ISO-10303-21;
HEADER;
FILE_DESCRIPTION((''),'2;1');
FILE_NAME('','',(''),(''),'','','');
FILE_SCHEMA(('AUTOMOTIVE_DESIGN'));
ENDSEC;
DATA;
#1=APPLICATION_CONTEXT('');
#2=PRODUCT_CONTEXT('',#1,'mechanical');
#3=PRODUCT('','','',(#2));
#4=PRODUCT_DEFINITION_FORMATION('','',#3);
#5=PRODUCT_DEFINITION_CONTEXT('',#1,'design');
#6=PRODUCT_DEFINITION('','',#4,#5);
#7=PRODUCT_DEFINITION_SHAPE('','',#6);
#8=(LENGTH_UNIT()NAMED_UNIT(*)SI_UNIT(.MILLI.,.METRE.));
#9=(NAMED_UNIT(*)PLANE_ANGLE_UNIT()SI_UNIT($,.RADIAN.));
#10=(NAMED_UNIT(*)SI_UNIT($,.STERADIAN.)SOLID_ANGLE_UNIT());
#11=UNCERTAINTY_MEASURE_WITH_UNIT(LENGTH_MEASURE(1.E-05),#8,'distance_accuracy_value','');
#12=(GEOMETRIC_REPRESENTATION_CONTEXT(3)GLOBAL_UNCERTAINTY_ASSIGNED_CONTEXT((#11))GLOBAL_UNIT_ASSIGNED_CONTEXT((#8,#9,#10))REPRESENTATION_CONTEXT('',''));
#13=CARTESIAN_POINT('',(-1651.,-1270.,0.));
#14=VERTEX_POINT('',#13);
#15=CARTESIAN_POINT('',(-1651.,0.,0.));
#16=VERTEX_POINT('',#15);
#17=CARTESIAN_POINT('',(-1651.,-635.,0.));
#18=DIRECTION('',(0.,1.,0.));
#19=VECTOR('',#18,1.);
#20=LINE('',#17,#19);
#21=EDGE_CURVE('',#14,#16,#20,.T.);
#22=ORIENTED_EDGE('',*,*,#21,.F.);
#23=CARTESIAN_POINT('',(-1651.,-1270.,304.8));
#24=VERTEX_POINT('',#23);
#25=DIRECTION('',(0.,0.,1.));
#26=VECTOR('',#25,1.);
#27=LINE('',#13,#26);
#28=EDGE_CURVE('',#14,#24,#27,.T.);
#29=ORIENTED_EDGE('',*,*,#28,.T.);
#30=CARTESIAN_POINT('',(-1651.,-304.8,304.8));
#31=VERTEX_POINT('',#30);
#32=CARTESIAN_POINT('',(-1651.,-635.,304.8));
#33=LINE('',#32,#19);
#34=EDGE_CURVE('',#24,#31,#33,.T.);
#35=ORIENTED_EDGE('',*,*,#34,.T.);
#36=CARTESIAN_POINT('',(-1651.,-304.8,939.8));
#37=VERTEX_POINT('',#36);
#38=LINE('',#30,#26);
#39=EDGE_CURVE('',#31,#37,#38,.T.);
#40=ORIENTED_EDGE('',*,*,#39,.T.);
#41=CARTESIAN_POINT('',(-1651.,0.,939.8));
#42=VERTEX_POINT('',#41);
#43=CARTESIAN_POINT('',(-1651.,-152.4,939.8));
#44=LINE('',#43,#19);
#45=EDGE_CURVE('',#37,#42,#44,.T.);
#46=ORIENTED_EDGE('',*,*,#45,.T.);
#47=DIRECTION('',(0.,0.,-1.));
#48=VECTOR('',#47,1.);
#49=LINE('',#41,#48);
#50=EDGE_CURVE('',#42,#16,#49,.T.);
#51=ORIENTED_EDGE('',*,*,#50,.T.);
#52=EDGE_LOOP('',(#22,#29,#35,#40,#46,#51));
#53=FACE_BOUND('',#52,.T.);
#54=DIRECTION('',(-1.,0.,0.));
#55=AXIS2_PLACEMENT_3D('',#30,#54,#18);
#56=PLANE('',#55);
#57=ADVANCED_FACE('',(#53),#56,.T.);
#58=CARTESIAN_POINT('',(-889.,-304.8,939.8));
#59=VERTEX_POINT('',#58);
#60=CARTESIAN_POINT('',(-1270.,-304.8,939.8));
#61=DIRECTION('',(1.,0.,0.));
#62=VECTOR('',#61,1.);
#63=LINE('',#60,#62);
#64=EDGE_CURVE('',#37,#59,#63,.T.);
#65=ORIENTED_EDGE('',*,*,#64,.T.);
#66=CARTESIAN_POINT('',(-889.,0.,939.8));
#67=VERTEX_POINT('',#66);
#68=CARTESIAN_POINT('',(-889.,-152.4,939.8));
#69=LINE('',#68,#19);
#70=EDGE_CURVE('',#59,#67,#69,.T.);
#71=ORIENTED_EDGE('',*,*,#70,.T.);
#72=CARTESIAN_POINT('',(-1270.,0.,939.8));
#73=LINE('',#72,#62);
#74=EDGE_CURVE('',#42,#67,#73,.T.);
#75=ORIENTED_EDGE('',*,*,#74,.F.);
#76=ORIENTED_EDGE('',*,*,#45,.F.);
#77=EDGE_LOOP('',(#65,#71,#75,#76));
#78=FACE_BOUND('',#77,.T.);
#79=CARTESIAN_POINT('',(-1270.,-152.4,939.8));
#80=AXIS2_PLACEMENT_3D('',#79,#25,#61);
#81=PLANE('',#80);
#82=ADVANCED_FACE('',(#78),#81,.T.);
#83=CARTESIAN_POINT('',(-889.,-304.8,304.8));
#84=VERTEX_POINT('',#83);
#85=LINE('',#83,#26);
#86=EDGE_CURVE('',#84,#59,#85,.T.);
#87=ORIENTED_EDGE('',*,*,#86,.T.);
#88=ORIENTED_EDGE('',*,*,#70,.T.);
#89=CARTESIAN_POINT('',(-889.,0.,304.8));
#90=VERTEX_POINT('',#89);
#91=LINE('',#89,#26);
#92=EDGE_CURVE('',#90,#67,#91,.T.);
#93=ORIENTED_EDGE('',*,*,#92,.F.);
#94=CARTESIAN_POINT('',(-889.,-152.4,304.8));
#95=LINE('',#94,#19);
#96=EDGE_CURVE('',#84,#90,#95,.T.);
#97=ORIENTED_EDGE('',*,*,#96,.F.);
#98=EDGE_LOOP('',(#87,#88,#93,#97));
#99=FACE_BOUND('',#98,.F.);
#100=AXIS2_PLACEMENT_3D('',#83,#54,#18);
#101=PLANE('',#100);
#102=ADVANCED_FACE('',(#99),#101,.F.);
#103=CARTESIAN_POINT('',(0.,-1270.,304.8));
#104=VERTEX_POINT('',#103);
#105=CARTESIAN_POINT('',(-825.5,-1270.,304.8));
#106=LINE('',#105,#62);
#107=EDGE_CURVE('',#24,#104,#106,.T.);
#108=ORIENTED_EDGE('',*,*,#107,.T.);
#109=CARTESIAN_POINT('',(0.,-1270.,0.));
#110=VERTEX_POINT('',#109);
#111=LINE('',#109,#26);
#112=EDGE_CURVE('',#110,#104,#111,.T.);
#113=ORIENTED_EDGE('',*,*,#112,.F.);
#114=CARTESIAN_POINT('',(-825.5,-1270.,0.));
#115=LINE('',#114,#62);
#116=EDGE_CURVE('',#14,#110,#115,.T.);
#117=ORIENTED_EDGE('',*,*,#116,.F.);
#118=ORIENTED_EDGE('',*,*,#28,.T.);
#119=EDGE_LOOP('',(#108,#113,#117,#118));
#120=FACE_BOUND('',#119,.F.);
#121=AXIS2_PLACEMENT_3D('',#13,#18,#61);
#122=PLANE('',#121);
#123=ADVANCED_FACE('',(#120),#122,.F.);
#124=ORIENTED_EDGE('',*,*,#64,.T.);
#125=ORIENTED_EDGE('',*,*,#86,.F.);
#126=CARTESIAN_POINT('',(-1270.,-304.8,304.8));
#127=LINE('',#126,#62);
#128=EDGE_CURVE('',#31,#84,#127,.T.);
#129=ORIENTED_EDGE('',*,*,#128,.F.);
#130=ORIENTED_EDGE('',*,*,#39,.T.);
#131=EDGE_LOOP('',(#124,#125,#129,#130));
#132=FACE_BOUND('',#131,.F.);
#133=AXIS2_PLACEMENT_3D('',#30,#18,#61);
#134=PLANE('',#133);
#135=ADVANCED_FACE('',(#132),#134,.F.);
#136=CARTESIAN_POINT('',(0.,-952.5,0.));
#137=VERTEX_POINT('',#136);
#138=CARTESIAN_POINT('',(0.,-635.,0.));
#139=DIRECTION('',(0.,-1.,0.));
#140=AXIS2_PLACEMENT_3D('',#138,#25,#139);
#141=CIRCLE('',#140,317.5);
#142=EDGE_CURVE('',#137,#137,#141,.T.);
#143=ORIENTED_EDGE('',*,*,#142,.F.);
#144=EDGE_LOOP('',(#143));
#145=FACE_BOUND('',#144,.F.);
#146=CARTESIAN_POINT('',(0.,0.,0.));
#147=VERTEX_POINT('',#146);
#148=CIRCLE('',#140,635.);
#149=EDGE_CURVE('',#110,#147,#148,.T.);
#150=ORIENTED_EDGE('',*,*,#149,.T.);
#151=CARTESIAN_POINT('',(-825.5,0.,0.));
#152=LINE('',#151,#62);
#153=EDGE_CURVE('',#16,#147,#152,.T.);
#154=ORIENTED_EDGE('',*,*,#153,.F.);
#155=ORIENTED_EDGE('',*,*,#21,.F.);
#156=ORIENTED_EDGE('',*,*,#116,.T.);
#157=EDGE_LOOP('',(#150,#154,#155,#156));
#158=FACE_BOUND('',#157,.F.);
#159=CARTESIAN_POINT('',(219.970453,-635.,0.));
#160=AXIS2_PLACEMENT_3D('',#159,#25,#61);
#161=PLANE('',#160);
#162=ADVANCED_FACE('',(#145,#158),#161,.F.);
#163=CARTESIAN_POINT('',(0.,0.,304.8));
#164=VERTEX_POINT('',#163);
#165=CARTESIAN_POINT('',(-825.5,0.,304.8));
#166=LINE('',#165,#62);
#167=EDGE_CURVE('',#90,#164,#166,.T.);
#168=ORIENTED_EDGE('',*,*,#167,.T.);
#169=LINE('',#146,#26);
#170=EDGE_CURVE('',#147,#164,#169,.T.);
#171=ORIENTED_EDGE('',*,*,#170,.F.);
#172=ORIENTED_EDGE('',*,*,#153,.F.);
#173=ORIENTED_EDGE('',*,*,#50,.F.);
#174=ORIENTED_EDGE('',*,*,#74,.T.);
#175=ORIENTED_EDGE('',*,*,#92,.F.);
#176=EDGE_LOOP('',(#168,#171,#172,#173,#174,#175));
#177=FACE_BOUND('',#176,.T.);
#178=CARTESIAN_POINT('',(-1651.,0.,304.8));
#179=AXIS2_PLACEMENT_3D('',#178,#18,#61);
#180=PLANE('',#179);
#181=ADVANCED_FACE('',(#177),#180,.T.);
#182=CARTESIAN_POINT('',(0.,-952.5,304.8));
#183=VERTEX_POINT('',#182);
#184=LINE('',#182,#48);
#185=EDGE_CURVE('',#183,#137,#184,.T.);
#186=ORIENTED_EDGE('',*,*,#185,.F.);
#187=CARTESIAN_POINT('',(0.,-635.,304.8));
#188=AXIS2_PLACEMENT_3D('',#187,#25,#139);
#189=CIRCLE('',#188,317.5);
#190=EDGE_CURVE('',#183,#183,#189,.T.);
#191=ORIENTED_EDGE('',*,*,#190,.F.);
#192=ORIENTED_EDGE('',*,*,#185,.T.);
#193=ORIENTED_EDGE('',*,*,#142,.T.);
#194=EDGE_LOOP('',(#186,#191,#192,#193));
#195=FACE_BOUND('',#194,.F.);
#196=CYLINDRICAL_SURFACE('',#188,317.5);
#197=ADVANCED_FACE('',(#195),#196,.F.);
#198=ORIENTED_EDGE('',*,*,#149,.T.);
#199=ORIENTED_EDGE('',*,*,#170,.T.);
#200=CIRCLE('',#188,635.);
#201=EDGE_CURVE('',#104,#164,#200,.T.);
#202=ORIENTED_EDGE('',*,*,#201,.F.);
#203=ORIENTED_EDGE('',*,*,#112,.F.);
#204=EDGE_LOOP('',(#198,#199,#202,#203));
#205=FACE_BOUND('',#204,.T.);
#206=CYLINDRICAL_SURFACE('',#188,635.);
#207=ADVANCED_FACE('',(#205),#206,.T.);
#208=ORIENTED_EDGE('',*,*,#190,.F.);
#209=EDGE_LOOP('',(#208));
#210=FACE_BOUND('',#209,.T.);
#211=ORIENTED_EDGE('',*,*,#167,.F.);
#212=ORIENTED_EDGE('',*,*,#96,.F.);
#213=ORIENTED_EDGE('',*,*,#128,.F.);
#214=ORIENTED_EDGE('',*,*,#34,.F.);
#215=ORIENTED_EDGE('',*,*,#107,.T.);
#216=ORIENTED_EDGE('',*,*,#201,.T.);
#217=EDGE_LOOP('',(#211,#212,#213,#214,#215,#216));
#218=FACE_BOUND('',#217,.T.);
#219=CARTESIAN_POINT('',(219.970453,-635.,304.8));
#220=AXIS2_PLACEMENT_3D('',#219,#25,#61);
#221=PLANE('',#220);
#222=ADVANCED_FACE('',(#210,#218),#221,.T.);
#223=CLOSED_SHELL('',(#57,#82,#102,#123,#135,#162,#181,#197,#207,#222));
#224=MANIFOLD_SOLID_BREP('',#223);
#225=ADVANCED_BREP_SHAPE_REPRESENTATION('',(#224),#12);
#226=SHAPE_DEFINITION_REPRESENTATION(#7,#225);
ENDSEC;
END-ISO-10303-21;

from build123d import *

# Parameters (mm, degrees)
F0_W     = 1651
F0_H     = 1270
F1_DEPTH = 304.8
F2_W     = 762
F2_H     = 304.8
F3_DEPTH = 635
F5_DEPTH = 304.8
F7_DEPTH = 304.8


with BuildPart() as f1:
    # F0 (on Top) → F1 (new body)
    with BuildSketch(Plane.XY):
        with Locations((-825.5, -635)):
            Rectangle(F0_W, F0_H)
    extrude(amount=F1_DEPTH)

    # F2 (on face) → F3 (join)
    with BuildSketch(Plane.XY.offset(304.8)):
        with Locations((-1270, -152.4)):
            Rectangle(F2_W, F2_H)
    extrude(amount=F3_DEPTH)

    # F4 (on face) → F5 (join)
    with BuildSketch(Plane.XY.offset(304.8)):
        with BuildLine():
            ThreePointArc((0, -1270), (449.0128060535, -1084.0128060535), (635, -635))
            ThreePointArc((635, -635), (449.0128060535, -185.9871939465), (0, 0))
            Line((0, 0), (0, -1270))
        make_face()
    extrude(amount=-F5_DEPTH)

    # F6 (on face) → F7 (cut)
    with BuildSketch(Plane.XY.offset(304.8)):
        with BuildLine():
            ThreePointArc((0, -317.5), (-317.5, -635), (0, -952.5))
            Line((0, -952.5), (0, -317.5))
        make_face()
        with BuildLine():
            Line((0, -317.5), (0, -952.5))
            ThreePointArc((0, -952.5), (224.5064030267, -859.5064030267), (317.5, -635))
            ThreePointArc((317.5, -635), (224.5064030267, -410.4935969733), (0, -317.5))
        make_face()
    extrude(amount=-F7_DEPTH, mode=Mode.SUBTRACT)


solid = f1.part
